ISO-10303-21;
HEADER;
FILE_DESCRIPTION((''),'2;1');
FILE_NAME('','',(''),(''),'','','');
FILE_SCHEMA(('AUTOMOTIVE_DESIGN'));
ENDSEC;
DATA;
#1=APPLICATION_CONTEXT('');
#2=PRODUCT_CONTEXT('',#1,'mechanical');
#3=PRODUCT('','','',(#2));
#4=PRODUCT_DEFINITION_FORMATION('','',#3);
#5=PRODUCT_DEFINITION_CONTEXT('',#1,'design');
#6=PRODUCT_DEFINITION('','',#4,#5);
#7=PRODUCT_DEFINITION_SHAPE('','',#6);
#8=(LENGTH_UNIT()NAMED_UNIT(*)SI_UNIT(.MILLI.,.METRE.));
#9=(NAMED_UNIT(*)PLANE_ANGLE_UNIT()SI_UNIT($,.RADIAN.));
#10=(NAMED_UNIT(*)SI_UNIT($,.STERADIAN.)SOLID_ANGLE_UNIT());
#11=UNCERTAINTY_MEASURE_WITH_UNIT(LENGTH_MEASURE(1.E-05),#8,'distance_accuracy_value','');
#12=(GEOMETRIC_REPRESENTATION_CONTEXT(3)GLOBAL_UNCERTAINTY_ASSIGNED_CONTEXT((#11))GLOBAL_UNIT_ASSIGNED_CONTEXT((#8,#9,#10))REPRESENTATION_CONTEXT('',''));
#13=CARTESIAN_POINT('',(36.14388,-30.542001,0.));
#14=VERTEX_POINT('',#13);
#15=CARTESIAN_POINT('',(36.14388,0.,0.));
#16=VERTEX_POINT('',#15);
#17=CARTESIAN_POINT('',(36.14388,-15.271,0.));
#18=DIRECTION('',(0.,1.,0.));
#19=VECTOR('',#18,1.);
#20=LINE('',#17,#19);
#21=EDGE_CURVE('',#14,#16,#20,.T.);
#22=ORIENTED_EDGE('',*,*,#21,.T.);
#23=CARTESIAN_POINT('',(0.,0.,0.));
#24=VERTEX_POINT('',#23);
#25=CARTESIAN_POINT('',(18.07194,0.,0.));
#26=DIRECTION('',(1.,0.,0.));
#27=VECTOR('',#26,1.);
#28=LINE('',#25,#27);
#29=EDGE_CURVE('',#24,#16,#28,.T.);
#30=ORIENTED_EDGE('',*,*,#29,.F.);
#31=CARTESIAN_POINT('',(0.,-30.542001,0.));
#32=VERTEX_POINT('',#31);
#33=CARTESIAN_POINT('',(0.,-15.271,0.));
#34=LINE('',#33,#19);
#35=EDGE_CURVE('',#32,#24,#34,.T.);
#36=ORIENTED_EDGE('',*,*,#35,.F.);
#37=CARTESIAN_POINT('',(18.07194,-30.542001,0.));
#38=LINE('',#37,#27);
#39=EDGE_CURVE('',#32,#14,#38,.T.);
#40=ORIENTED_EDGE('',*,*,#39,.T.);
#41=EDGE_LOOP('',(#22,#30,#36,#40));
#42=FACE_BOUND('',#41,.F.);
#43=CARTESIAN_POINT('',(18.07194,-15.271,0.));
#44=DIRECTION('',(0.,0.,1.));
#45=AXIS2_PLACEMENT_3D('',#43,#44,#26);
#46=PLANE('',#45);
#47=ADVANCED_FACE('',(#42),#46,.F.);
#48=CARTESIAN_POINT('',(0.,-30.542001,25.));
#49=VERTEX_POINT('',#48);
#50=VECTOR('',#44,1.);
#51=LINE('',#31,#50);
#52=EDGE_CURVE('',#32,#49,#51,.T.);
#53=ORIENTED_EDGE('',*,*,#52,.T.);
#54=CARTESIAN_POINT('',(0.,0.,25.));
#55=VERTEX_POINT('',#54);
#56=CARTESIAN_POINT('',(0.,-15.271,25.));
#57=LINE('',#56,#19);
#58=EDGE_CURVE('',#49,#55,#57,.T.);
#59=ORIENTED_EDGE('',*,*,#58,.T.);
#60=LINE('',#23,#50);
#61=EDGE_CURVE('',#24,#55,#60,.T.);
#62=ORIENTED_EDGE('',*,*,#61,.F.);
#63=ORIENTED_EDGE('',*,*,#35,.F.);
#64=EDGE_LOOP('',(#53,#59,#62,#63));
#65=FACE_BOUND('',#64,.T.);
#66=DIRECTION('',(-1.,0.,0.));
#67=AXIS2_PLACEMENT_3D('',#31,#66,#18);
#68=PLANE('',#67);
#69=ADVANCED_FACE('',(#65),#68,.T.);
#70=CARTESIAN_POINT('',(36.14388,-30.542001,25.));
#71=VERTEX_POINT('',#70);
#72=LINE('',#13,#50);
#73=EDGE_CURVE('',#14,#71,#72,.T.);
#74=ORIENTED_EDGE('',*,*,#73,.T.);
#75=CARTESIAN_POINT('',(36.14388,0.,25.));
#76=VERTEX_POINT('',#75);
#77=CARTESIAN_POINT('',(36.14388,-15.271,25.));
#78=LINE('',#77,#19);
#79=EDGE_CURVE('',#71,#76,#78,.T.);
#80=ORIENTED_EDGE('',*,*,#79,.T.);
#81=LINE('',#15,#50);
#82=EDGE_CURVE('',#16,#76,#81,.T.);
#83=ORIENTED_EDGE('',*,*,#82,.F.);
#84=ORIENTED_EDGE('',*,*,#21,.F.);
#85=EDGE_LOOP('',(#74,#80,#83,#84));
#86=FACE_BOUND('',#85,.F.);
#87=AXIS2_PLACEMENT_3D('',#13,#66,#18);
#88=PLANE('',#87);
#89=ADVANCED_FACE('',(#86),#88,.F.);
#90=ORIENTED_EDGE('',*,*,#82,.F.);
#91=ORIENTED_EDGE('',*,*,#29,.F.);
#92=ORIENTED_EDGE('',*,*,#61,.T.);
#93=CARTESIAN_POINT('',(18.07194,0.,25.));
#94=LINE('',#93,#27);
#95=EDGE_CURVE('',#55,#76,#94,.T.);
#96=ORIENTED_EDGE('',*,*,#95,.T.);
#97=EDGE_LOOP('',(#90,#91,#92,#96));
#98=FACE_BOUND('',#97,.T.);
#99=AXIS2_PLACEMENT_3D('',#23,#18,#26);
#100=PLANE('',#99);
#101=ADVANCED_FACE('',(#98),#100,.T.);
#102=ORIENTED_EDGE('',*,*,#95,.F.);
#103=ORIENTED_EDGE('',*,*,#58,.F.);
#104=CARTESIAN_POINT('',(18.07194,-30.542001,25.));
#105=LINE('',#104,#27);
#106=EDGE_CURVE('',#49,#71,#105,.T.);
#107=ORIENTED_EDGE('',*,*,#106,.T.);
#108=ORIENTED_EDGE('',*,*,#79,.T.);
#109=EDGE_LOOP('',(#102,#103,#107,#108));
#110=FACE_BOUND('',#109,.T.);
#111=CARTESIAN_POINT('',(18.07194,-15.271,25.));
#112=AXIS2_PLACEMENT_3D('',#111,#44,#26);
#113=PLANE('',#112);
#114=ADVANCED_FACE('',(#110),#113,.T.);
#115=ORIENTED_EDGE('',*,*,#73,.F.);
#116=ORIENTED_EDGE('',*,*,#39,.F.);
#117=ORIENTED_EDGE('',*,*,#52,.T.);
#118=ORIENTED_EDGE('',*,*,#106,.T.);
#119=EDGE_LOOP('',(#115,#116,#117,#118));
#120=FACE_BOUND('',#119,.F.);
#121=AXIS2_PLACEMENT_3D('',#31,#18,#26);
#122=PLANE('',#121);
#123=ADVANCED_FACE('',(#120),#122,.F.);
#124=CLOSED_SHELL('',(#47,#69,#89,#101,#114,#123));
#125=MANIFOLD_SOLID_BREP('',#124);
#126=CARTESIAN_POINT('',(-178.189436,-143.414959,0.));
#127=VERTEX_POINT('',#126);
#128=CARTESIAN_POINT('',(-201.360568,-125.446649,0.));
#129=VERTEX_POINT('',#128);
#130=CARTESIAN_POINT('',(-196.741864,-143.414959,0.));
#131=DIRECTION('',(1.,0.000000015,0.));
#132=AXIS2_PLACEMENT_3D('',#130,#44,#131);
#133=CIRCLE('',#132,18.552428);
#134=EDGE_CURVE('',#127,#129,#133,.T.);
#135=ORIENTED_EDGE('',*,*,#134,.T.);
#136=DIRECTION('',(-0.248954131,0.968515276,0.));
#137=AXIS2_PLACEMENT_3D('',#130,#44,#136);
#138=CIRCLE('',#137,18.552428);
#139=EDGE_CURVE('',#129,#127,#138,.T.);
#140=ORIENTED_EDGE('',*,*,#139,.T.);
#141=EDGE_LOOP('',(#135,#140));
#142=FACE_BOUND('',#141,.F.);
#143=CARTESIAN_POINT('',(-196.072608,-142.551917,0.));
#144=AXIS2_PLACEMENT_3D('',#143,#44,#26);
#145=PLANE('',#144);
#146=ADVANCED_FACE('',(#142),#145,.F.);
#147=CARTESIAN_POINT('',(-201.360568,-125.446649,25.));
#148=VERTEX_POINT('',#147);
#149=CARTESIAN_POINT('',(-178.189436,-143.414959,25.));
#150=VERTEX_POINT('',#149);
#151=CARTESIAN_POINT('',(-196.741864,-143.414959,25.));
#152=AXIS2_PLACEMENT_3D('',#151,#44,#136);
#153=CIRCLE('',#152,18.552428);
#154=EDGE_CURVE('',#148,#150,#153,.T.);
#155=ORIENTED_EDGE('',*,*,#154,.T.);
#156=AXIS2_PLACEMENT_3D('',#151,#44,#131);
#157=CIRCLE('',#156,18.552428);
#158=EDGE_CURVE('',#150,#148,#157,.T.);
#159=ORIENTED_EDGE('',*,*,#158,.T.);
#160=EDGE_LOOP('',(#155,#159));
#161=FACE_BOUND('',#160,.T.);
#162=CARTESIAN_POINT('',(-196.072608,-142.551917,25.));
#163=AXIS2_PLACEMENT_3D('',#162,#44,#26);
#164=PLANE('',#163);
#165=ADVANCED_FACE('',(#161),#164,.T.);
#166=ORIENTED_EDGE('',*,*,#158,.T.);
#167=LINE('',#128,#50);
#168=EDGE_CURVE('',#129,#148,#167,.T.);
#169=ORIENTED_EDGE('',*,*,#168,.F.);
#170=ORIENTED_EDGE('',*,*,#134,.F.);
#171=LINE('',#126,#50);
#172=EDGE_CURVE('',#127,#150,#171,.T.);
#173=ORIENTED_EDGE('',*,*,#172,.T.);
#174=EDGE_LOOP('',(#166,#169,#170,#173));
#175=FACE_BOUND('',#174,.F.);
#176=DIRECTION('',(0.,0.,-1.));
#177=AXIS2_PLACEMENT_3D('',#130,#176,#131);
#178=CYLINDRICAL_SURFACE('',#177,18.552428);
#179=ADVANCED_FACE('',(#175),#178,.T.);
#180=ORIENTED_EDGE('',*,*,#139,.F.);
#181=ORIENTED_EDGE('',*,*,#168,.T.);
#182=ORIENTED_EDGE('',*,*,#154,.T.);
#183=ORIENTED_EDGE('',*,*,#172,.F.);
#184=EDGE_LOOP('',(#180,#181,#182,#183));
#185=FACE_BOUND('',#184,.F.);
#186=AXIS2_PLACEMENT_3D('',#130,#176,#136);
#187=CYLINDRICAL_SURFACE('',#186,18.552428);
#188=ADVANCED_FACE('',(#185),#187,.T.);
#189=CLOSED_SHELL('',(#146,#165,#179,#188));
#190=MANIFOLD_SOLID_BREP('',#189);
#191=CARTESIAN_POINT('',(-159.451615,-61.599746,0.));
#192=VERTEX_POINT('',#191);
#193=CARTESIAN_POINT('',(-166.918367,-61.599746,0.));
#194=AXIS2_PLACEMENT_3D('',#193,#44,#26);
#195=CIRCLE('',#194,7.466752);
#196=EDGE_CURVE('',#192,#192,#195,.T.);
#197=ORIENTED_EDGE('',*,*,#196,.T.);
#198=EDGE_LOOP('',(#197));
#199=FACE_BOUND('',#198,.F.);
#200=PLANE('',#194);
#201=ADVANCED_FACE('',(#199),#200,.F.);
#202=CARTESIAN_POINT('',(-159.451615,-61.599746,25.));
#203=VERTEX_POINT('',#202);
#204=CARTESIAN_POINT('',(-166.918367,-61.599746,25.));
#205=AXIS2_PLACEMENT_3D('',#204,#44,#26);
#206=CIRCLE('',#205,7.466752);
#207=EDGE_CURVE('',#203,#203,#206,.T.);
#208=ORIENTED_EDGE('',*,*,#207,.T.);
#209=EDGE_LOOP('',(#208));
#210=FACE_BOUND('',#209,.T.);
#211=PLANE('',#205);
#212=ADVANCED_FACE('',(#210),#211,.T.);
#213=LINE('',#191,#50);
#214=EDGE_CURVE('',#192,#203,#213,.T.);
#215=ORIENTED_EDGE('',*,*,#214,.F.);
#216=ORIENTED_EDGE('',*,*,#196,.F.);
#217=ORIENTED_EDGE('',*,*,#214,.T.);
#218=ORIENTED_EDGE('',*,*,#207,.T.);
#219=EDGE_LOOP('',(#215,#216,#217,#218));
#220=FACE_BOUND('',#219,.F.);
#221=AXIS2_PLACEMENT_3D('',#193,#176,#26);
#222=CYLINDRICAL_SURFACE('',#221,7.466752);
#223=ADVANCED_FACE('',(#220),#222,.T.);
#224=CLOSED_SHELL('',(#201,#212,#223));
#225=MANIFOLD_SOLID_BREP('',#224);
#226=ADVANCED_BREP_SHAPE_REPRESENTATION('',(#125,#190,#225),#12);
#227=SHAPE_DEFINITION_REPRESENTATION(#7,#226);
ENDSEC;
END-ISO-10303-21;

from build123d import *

# Parameters (mm, degrees)
F0_R     = 7.466752
F0_W     = 36.14388
F0_H     = 30.542001
F1_DEPTH = 25


with BuildPart() as f1:
    # F0 (on Top) → F1 (new body)
    with BuildSketch(Plane.XY):
        with BuildLine():
            ThreePointArc((-201.360568, -125.446649), (-208.110778, -158.075805), (-178.189436, -143.414959))
            ThreePointArc((-178.189436, -143.414959), (-185.37295, -128.754114), (-201.360568, -125.446649))
        make_face()
        with Locations((-166.918367, -61.599746)):
            Circle(F0_R)
        with Locations((18.07194, -15.271)):
            Rectangle(F0_W, F0_H)
    extrude(amount=F1_DEPTH)


solid = f1.part
